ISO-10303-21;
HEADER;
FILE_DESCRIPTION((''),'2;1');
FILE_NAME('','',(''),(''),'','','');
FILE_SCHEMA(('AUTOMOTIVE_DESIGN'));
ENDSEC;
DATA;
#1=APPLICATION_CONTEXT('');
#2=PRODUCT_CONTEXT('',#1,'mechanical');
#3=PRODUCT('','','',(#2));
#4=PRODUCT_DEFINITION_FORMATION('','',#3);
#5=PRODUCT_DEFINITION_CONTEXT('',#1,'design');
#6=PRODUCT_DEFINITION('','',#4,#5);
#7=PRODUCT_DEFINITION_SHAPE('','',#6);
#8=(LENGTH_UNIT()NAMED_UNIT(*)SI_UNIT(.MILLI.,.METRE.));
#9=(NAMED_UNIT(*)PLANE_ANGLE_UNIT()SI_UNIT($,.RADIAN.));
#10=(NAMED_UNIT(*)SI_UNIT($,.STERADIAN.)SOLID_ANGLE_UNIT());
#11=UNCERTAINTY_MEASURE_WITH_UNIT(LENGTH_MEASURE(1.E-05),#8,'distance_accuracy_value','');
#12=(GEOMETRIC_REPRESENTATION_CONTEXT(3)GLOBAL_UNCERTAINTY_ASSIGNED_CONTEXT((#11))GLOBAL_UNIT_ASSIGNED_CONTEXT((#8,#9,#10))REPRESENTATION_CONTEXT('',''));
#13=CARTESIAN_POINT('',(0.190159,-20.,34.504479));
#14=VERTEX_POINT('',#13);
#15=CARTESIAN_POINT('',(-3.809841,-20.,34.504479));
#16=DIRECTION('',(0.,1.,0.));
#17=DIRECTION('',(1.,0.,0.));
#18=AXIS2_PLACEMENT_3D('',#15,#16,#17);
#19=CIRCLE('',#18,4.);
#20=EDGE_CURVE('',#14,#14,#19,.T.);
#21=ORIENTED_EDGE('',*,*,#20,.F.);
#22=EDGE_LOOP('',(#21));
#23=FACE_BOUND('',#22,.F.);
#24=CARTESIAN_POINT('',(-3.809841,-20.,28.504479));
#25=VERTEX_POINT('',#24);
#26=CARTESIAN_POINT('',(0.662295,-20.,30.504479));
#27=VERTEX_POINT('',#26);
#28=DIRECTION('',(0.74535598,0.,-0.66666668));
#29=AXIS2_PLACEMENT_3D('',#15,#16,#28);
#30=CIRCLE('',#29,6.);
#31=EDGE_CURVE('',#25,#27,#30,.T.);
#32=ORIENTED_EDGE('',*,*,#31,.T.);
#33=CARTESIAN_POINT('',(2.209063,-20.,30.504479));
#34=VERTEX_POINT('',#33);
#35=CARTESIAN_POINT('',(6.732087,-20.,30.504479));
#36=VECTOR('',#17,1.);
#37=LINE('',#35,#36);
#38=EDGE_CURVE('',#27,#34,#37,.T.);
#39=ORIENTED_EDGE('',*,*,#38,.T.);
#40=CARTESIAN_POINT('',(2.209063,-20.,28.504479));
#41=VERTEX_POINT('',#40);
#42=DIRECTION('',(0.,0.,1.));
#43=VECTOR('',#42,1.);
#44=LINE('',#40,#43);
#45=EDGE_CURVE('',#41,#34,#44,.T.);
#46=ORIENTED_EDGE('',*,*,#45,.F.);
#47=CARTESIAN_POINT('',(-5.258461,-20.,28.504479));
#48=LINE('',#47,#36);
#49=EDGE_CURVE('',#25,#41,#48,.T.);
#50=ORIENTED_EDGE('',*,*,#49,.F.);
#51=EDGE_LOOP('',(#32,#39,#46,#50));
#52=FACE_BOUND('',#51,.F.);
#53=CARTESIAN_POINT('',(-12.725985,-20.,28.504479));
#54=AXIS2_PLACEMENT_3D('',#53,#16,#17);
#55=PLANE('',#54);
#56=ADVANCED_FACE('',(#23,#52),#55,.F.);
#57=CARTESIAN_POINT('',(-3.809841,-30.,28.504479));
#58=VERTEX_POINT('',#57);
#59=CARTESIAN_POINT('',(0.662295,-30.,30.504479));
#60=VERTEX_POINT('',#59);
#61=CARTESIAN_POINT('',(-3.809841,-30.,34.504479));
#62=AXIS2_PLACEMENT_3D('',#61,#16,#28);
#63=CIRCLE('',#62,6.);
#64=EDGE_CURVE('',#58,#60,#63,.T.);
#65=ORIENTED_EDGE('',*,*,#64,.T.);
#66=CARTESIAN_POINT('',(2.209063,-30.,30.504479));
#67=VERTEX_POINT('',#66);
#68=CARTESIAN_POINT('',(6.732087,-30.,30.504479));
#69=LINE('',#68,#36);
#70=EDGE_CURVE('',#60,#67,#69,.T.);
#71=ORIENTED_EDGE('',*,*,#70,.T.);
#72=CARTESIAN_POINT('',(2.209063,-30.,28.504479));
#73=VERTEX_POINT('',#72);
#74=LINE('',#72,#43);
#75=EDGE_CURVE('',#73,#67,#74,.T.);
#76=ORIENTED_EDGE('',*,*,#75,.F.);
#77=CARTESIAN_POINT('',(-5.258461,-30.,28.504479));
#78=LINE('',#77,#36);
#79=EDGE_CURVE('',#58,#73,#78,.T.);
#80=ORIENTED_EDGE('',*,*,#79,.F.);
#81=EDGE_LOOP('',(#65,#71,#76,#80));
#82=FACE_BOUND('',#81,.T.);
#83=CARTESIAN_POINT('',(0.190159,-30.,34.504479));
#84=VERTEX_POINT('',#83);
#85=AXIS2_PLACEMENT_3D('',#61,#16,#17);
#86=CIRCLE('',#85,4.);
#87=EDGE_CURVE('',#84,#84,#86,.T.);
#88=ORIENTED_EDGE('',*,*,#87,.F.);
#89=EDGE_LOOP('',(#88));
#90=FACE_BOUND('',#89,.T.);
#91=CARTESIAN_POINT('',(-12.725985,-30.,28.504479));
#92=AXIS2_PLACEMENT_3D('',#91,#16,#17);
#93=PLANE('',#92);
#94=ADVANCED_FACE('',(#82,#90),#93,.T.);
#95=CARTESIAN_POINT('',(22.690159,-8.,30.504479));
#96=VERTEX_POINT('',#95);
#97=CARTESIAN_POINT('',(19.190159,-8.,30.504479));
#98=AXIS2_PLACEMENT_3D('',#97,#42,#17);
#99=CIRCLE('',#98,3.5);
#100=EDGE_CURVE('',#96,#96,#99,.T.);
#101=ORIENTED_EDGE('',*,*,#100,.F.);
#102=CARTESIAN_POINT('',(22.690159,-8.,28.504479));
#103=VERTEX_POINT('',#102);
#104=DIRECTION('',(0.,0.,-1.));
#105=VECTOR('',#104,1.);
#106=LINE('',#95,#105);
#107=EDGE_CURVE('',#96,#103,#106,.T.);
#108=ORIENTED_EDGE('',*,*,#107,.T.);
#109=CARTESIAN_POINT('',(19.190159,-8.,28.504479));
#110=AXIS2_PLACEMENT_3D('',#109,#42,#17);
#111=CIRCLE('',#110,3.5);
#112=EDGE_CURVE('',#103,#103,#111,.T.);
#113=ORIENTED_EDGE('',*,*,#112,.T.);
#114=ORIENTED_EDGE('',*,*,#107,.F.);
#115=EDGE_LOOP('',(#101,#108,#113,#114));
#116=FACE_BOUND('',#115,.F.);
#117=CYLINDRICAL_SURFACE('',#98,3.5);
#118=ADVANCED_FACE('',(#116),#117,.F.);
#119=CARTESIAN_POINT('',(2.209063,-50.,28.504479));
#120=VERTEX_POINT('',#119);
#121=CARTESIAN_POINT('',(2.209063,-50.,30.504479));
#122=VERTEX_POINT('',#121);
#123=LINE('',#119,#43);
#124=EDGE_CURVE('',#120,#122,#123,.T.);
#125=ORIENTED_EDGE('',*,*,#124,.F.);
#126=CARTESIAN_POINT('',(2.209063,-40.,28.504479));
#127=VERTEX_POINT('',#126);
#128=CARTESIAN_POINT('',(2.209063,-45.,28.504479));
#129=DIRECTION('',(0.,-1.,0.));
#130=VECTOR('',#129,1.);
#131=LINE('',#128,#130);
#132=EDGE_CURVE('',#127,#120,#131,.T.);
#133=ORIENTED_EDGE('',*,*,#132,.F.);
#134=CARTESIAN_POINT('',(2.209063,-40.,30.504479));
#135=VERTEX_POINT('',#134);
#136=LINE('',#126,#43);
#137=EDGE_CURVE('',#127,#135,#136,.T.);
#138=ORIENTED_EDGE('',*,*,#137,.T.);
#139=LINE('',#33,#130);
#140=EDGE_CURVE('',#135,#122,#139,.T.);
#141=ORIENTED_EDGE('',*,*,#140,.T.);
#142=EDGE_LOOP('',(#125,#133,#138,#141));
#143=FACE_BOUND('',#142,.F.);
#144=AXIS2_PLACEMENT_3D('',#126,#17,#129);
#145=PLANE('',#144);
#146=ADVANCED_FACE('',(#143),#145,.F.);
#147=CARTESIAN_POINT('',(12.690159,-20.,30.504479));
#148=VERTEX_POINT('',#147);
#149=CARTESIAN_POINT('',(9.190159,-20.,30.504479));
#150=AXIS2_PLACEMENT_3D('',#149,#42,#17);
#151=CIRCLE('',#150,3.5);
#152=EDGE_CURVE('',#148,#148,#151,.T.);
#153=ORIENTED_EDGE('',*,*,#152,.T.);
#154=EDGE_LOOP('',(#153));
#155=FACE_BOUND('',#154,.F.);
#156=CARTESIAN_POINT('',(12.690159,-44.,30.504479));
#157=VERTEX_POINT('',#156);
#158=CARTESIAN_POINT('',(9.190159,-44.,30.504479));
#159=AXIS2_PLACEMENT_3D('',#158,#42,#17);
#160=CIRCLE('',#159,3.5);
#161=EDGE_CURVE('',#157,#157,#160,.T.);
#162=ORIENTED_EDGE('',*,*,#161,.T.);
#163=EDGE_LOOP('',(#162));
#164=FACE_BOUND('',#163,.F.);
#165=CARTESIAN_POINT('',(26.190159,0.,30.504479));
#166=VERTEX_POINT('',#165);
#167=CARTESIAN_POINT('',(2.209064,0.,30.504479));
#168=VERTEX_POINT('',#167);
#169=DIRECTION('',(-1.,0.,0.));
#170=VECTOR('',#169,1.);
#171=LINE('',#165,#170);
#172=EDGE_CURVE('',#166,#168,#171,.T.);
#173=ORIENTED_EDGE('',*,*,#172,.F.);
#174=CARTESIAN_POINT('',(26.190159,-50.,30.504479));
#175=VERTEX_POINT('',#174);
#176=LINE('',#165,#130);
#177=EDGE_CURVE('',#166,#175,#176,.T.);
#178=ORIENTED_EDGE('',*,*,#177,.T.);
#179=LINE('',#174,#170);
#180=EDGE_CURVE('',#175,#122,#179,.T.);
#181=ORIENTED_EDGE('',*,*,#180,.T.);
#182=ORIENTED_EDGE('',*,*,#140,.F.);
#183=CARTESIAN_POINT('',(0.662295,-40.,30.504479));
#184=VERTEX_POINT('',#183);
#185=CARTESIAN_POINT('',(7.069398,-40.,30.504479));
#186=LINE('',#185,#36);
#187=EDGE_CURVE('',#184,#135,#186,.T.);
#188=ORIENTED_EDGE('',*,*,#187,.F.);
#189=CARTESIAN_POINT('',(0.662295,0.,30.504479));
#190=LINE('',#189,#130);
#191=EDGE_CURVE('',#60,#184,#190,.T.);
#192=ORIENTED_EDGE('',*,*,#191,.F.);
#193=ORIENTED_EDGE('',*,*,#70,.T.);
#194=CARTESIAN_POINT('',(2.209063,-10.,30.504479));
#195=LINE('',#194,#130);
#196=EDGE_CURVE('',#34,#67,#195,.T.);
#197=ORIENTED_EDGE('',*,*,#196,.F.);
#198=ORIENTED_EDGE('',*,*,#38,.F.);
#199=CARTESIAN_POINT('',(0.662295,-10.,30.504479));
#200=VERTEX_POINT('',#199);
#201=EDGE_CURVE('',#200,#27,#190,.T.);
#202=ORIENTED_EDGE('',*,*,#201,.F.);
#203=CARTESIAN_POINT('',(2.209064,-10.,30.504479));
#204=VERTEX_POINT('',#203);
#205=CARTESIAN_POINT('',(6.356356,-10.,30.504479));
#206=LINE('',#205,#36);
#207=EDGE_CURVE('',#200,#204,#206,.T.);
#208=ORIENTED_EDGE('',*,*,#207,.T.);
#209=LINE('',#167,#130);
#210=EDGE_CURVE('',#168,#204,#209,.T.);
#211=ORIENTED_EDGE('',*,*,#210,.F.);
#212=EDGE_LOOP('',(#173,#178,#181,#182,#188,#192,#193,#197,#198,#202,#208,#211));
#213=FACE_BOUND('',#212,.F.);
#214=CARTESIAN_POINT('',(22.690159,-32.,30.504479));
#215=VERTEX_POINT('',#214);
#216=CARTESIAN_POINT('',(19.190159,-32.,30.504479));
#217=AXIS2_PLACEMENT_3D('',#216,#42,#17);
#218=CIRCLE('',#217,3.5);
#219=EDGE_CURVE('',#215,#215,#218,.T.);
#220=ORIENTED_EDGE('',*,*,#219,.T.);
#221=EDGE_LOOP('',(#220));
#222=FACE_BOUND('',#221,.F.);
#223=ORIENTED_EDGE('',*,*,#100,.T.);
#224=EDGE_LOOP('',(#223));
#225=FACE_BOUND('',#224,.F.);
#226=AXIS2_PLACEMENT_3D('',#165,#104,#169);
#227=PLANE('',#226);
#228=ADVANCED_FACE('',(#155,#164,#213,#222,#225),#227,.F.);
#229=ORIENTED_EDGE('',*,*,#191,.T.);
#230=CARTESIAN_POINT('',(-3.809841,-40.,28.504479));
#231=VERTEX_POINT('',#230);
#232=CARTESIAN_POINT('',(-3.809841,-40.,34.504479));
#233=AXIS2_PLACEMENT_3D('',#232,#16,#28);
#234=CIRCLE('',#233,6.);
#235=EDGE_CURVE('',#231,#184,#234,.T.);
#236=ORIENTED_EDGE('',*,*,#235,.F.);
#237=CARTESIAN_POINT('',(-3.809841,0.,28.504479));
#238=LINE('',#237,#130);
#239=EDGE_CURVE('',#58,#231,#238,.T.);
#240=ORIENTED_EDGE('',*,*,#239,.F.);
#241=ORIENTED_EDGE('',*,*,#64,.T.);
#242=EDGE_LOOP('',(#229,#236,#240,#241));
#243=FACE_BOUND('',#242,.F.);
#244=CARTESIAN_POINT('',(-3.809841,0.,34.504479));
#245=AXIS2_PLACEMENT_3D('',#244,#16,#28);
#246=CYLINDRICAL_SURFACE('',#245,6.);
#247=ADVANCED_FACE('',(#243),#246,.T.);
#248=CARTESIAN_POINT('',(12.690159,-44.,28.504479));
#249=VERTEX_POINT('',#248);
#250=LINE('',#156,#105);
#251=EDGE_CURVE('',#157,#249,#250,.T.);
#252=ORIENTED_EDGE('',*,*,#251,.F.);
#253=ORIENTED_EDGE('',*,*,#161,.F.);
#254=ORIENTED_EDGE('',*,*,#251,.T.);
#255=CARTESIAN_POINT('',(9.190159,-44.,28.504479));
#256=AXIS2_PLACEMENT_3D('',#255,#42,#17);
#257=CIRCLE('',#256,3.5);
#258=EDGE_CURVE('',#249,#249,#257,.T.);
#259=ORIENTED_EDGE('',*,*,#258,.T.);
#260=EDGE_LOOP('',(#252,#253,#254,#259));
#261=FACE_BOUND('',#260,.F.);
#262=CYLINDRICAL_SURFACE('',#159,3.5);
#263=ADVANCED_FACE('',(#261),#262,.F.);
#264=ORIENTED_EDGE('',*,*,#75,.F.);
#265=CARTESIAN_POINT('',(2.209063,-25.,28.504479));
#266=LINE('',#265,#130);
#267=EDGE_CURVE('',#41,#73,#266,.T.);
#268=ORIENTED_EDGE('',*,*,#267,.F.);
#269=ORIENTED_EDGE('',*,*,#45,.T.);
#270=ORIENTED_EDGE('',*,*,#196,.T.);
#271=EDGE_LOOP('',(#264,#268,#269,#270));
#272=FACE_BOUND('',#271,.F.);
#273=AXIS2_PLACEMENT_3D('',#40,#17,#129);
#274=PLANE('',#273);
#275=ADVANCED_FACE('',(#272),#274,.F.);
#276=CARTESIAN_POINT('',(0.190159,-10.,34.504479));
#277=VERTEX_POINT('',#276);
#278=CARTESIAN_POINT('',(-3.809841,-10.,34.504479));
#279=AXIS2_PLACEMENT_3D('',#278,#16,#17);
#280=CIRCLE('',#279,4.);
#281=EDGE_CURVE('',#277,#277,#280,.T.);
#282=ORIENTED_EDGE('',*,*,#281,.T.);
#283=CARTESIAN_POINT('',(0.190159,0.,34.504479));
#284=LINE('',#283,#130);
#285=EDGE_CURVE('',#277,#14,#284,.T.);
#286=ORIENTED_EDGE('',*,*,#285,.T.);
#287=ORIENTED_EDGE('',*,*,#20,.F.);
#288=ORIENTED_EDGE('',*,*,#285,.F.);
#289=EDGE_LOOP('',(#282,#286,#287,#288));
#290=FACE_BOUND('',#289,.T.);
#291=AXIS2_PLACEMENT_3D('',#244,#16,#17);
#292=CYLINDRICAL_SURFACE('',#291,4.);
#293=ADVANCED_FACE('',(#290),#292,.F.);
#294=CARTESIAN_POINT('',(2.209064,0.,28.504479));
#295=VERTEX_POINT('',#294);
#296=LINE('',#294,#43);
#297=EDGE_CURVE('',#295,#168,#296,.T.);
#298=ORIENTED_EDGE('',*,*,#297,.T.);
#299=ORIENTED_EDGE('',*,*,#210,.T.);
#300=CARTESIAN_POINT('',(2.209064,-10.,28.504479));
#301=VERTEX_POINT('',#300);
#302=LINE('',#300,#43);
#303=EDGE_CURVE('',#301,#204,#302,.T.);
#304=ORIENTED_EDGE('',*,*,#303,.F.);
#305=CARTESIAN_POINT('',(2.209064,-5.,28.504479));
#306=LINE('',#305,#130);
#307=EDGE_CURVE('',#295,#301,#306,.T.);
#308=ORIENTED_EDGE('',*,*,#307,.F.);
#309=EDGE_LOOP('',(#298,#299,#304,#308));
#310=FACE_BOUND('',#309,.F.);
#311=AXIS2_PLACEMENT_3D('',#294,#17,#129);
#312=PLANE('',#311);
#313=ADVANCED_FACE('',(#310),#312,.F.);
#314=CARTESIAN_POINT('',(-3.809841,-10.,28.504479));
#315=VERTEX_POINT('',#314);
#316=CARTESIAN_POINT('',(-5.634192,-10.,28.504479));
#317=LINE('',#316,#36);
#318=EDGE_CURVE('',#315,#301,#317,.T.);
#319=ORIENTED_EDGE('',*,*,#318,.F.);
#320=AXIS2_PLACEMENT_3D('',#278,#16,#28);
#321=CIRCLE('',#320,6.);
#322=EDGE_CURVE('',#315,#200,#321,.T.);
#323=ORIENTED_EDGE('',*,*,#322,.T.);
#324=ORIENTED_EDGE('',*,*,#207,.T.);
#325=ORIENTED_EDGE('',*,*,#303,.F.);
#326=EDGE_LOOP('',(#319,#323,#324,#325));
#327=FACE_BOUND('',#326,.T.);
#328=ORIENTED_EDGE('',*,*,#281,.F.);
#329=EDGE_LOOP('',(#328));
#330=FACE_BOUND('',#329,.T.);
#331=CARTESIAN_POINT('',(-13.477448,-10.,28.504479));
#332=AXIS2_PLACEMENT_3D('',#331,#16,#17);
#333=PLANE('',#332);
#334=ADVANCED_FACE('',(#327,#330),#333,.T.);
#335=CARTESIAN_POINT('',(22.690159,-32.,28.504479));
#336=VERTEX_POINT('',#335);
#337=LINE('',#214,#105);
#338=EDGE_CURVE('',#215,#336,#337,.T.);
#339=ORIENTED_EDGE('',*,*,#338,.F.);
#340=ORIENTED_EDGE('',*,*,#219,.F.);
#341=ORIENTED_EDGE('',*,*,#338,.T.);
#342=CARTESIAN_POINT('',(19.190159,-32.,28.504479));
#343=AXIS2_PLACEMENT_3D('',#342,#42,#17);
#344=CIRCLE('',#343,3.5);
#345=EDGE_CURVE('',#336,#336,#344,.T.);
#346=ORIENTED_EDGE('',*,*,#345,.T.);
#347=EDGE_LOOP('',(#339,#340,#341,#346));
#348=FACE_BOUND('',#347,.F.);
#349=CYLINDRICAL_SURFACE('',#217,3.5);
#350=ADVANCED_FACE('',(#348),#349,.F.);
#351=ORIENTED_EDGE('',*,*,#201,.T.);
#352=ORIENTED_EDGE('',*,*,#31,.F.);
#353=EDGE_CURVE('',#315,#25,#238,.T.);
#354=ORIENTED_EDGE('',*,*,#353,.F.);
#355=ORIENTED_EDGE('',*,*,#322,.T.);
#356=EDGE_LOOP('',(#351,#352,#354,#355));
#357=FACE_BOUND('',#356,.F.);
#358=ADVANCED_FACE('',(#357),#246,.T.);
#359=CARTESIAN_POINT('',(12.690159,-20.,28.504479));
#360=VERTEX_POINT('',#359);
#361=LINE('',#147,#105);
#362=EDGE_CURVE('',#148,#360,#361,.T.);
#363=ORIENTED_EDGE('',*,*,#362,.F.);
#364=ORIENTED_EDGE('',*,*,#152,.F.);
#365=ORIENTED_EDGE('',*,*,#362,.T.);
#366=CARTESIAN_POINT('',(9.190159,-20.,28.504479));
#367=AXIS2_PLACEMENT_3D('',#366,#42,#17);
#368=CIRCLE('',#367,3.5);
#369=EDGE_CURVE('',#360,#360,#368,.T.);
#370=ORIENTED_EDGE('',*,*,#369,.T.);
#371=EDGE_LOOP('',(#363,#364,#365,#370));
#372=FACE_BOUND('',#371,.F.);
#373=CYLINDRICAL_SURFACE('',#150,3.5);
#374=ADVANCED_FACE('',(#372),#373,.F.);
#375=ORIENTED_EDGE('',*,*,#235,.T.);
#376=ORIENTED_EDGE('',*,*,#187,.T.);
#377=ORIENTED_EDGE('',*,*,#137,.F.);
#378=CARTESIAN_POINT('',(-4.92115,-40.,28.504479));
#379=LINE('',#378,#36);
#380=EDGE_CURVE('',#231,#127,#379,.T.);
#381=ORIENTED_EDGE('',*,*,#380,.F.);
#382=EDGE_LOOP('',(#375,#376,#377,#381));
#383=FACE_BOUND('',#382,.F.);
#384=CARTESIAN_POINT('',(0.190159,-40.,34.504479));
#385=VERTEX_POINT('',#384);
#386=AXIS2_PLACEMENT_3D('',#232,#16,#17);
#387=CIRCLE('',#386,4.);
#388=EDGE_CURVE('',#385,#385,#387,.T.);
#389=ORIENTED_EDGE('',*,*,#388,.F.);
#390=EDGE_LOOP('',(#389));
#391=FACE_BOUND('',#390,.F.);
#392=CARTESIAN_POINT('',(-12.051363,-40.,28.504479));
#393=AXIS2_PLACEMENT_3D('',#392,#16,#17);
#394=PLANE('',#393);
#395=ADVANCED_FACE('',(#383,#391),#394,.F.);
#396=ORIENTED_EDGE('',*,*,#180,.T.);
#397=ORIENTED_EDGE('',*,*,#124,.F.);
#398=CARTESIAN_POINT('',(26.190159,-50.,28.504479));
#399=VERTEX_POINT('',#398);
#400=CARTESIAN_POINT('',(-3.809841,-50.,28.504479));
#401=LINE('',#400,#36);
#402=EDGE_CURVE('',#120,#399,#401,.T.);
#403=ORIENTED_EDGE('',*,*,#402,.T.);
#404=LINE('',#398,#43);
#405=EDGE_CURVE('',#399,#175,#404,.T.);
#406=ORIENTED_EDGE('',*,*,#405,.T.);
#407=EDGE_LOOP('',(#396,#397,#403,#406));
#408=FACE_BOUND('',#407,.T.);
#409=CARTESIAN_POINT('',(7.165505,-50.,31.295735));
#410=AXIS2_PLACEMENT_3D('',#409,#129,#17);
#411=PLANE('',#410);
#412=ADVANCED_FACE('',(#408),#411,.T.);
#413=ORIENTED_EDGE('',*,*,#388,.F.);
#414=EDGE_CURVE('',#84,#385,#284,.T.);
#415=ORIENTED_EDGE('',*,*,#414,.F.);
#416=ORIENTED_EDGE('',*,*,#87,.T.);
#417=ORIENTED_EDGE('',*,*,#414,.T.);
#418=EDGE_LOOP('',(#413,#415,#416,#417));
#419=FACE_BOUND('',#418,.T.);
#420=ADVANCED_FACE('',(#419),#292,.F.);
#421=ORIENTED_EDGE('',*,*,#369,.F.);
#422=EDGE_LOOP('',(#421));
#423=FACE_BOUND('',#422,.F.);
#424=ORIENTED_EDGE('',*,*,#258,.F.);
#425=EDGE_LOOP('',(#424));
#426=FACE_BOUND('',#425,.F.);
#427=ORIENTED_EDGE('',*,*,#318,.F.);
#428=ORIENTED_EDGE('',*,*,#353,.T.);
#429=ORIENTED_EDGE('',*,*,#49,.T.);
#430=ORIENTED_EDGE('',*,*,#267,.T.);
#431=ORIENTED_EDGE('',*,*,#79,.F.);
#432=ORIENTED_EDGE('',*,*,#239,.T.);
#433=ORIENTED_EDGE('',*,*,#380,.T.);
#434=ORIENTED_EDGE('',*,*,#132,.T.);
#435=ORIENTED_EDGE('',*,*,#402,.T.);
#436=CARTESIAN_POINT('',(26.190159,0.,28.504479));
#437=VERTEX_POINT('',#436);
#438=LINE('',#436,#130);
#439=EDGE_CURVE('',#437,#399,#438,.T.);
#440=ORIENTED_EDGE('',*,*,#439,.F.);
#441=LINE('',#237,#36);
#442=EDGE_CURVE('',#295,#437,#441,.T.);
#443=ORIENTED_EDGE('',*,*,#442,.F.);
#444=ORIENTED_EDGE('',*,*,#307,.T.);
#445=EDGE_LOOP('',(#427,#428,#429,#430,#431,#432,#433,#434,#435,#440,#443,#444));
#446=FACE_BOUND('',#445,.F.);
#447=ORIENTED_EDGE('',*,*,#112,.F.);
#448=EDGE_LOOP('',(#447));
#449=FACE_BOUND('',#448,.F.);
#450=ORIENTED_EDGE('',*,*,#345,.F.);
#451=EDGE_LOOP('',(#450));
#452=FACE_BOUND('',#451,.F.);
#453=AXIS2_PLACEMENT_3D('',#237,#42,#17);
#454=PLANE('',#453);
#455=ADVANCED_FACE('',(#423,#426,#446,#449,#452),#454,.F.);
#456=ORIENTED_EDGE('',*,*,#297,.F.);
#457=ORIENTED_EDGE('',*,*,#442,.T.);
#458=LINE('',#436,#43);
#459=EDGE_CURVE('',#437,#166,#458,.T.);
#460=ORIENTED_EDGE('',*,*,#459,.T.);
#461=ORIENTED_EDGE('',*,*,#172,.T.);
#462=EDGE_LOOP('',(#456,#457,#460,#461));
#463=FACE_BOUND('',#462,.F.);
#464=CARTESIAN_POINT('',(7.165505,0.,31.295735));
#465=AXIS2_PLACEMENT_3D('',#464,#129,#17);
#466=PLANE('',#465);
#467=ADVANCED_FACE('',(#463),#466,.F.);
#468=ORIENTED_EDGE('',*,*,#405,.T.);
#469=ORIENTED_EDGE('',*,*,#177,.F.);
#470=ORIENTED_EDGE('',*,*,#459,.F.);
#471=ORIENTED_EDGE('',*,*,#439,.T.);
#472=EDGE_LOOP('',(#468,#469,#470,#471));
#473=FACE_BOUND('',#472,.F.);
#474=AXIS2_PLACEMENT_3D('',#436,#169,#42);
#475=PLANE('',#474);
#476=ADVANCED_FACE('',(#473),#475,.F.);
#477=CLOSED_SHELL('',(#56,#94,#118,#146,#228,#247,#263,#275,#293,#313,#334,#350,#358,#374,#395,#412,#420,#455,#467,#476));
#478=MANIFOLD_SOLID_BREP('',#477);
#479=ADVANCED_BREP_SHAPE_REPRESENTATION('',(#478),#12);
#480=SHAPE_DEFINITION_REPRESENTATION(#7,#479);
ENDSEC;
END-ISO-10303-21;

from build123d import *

# Parameters (mm, degrees)
F0_R     = 4
F1_DEPTH = 50
F2_R     = 3.5
F3_DEPTH = 2.001
F4_W     = 14.260426
F4_H     = 10
F4_W_2   = 14.935048
F4_W_3   = 15.686511
F5_DEPTH = 25


with BuildPart() as f1:
    # F0 (on Front) → F1 (new body)
    with BuildSketch(Plane.XZ):
        with BuildLine():
            Line((26.190159, 30.504479), (0.662295, 30.504479))
            ThreePointArc((0.662295, 30.504479), (-6.259331, 39.981705), (-3.809841, 28.504479))
            Line((-3.809841, 28.504479), (26.190159, 28.504479))
            Line((26.190159, 28.504479), (26.190159, 30.504479))
        make_face()
        with Locations((-3.809841, 34.504479)):
            Circle(F0_R, mode=Mode.SUBTRACT)
    extrude(amount=F1_DEPTH)

    # F2 (on face) → F3 (cut, through all)
    with BuildSketch(Plane.XY.offset(30.504479)):
        with Locations((19.190159, -32)):
            Circle(F2_R)
        with Locations((9.190159, -44)):
            Circle(F2_R)
        with Locations((9.190159, -20)):
            Circle(F2_R)
        with Locations((19.190159, -8)):
            Circle(F2_R)
    extrude(amount=-F3_DEPTH, mode=Mode.SUBTRACT)

    # F4 (on face) → F5 (cut)
    with BuildSketch(Plane(origin=(0, 0, 28.504479), x_dir=(1, 0, 0), z_dir=(0, 0, -1))):
        with Locations((-4.92115, 45)):
            Rectangle(F4_W, F4_H)
        with Locations((-5.258461, 25)):
            Rectangle(F4_W_2, F4_H)
        with Locations((-5.634192, 5)):
            Rectangle(F4_W_3, F4_H)
    extrude(amount=-F5_DEPTH, mode=Mode.SUBTRACT)


solid = f1.part
